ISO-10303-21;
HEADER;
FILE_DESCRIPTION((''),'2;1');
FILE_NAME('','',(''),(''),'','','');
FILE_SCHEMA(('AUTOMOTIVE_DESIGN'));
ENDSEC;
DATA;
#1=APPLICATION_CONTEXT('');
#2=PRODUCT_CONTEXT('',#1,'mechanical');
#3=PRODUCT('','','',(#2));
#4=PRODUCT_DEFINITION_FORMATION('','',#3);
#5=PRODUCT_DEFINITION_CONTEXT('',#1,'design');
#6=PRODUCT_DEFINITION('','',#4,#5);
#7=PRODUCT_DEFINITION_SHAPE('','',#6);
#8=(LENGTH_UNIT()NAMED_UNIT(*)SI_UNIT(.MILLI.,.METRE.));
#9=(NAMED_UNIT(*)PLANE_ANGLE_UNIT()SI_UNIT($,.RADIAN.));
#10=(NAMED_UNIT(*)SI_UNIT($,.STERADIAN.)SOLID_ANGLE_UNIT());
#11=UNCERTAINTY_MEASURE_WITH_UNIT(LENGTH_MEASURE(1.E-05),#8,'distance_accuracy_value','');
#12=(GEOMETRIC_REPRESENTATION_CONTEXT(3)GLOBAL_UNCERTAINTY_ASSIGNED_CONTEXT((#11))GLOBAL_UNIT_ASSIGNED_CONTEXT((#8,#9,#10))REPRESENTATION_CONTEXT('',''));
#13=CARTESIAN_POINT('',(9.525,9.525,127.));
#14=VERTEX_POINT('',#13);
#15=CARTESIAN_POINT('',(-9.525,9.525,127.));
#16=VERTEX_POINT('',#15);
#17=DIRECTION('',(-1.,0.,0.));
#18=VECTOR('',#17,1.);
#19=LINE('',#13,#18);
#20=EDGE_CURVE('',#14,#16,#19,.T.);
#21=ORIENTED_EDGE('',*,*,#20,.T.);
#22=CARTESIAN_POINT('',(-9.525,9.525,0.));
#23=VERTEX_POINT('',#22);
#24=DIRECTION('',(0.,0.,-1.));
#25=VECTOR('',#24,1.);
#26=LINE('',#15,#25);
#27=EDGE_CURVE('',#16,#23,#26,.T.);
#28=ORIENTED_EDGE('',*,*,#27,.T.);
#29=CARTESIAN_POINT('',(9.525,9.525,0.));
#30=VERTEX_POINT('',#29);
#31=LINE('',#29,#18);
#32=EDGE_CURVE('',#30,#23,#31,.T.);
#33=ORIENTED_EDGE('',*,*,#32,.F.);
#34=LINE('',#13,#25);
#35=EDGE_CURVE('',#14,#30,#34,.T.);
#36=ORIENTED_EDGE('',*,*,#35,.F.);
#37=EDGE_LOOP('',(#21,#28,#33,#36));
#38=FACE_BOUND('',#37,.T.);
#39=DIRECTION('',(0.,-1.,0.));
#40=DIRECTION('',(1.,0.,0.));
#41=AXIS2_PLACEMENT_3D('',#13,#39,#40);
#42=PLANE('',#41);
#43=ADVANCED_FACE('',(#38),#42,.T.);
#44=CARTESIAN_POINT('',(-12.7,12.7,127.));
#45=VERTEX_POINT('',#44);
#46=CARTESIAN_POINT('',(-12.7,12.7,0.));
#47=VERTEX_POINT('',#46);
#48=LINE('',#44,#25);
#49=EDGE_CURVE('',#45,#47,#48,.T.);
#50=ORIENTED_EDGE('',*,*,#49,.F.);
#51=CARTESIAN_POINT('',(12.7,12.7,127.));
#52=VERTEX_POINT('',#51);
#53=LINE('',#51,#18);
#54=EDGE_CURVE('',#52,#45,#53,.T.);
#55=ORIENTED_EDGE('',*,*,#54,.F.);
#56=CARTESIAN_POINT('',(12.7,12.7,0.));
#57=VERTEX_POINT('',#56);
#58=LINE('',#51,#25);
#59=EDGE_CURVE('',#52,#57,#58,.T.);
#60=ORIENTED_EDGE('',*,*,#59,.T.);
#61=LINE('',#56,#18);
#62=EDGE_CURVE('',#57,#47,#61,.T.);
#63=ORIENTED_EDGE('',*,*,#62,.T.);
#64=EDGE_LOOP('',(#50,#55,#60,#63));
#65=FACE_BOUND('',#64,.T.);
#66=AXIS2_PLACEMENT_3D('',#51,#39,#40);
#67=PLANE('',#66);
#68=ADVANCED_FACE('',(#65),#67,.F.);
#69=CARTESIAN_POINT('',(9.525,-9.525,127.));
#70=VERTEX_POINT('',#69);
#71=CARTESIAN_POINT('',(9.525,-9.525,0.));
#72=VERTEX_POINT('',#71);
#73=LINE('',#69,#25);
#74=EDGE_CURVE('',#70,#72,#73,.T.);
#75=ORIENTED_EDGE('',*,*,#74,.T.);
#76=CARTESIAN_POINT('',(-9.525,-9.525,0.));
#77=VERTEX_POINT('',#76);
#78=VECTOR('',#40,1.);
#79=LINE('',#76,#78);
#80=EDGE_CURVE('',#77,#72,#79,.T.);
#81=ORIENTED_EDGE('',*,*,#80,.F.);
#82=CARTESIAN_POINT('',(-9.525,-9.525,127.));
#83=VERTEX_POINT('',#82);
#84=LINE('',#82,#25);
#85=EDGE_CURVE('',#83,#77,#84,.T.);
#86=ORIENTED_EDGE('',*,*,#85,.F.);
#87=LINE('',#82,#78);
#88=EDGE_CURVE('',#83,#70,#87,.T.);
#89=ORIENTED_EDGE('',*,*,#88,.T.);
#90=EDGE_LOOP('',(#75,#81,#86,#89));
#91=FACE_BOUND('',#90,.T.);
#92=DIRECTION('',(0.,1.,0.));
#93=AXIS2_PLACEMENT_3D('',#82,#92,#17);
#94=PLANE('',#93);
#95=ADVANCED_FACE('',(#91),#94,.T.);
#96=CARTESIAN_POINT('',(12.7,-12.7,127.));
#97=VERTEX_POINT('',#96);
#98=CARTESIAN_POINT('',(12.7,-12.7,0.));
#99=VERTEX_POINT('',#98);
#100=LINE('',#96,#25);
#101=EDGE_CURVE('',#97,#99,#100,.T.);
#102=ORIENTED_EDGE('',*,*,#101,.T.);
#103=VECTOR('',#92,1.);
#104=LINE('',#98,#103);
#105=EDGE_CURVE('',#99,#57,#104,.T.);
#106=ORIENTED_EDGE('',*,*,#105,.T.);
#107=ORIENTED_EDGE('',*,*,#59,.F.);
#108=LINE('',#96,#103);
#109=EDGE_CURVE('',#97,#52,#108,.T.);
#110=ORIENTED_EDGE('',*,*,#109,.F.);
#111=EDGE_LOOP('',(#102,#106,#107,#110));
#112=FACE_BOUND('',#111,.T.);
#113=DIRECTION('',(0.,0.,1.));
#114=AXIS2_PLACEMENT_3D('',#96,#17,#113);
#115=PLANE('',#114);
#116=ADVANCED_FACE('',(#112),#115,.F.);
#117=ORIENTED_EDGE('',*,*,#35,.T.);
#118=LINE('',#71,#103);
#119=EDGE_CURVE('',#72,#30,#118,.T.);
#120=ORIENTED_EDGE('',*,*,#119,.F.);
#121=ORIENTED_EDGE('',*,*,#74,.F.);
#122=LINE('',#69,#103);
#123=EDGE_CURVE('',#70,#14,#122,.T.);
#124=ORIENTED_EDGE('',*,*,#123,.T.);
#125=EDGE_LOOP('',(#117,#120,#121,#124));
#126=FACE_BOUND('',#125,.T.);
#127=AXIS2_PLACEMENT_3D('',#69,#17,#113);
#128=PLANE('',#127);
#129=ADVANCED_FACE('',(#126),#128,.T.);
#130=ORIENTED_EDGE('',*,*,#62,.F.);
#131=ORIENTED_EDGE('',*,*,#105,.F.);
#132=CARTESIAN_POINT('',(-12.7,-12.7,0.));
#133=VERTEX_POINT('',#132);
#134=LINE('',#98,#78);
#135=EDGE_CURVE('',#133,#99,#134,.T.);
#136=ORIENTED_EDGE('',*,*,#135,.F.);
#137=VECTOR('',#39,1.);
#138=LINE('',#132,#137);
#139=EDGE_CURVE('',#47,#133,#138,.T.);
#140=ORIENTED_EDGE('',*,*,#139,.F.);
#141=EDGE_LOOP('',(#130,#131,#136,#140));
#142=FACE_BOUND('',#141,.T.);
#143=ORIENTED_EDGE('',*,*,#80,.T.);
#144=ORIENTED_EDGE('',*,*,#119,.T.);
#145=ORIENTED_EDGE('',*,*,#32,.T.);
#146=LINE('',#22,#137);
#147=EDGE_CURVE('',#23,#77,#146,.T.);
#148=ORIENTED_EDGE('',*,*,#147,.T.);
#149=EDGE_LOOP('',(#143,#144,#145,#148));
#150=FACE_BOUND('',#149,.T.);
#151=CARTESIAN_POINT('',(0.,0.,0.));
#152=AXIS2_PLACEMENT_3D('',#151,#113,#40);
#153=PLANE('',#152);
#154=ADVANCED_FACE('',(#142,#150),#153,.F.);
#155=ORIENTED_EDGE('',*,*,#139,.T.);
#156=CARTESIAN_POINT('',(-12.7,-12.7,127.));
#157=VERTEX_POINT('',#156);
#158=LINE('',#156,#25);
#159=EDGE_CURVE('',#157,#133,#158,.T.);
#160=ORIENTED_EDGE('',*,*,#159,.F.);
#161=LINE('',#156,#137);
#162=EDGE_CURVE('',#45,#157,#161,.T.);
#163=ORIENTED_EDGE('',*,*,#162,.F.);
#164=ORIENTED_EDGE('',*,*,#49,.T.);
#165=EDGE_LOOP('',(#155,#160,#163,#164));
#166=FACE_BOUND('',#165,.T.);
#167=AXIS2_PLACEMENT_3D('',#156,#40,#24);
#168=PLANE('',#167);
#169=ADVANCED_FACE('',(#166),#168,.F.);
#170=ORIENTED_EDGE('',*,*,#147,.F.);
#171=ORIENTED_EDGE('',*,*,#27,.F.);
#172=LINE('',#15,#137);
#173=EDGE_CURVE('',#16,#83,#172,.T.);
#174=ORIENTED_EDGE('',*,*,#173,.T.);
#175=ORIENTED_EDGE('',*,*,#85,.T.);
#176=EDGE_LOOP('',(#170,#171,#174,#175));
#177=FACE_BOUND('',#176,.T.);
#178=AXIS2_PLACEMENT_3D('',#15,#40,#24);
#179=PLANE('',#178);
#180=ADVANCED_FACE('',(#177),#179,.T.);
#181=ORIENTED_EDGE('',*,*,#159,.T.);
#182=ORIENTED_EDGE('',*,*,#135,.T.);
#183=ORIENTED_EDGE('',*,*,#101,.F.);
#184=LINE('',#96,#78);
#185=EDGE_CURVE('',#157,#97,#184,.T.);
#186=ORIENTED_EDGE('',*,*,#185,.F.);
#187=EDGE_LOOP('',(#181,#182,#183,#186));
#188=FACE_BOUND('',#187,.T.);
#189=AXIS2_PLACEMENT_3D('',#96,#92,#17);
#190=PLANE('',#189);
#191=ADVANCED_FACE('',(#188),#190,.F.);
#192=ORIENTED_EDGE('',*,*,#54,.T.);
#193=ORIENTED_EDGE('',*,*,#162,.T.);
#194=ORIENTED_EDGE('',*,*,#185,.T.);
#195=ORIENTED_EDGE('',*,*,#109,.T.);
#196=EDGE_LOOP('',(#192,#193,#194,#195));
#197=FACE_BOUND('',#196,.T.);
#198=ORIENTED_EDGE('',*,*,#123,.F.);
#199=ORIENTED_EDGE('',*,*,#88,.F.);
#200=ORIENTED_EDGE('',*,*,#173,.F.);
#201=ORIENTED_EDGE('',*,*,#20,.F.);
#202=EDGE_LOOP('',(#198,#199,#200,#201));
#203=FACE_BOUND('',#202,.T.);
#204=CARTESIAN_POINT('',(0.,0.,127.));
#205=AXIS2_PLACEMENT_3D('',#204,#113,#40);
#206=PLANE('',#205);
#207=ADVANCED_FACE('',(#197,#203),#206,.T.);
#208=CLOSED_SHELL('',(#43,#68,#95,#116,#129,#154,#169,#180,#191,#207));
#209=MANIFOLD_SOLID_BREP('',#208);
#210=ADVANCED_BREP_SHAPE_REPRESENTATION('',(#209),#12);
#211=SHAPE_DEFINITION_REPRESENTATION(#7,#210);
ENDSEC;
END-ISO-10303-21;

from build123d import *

# Parameters (mm, degrees)
SKETCH1_W           = 25.4
SKETCH1_H           = 25.4
BOSS_EXTRUDE1_DEPTH = 127
CUT_EXTRUDE1_DEPTH  = 127


with BuildPart() as part:
    # Sketch1 → Boss-Extrude1 (new body)
    with BuildSketch(Plane.XY):
        Rectangle(SKETCH1_W, SKETCH1_H)
    extrude(amount=BOSS_EXTRUDE1_DEPTH)

    # 3DSketch1 → Cut-Extrude1 (cut)
    with BuildSketch(Plane(origin=(-9.525, -9.525, 127), x_dir=(0.7071067811865475, 0.7071067811865476, 0), z_dir=(0, 0, -1))):
        Polygon((0, 0), (13.470384182, 13.470384182), (26.940768363, 0), (13.470384182, -13.470384182), align=None)
    extrude(amount=CUT_EXTRUDE1_DEPTH, mode=Mode.SUBTRACT)


solid = part.part
